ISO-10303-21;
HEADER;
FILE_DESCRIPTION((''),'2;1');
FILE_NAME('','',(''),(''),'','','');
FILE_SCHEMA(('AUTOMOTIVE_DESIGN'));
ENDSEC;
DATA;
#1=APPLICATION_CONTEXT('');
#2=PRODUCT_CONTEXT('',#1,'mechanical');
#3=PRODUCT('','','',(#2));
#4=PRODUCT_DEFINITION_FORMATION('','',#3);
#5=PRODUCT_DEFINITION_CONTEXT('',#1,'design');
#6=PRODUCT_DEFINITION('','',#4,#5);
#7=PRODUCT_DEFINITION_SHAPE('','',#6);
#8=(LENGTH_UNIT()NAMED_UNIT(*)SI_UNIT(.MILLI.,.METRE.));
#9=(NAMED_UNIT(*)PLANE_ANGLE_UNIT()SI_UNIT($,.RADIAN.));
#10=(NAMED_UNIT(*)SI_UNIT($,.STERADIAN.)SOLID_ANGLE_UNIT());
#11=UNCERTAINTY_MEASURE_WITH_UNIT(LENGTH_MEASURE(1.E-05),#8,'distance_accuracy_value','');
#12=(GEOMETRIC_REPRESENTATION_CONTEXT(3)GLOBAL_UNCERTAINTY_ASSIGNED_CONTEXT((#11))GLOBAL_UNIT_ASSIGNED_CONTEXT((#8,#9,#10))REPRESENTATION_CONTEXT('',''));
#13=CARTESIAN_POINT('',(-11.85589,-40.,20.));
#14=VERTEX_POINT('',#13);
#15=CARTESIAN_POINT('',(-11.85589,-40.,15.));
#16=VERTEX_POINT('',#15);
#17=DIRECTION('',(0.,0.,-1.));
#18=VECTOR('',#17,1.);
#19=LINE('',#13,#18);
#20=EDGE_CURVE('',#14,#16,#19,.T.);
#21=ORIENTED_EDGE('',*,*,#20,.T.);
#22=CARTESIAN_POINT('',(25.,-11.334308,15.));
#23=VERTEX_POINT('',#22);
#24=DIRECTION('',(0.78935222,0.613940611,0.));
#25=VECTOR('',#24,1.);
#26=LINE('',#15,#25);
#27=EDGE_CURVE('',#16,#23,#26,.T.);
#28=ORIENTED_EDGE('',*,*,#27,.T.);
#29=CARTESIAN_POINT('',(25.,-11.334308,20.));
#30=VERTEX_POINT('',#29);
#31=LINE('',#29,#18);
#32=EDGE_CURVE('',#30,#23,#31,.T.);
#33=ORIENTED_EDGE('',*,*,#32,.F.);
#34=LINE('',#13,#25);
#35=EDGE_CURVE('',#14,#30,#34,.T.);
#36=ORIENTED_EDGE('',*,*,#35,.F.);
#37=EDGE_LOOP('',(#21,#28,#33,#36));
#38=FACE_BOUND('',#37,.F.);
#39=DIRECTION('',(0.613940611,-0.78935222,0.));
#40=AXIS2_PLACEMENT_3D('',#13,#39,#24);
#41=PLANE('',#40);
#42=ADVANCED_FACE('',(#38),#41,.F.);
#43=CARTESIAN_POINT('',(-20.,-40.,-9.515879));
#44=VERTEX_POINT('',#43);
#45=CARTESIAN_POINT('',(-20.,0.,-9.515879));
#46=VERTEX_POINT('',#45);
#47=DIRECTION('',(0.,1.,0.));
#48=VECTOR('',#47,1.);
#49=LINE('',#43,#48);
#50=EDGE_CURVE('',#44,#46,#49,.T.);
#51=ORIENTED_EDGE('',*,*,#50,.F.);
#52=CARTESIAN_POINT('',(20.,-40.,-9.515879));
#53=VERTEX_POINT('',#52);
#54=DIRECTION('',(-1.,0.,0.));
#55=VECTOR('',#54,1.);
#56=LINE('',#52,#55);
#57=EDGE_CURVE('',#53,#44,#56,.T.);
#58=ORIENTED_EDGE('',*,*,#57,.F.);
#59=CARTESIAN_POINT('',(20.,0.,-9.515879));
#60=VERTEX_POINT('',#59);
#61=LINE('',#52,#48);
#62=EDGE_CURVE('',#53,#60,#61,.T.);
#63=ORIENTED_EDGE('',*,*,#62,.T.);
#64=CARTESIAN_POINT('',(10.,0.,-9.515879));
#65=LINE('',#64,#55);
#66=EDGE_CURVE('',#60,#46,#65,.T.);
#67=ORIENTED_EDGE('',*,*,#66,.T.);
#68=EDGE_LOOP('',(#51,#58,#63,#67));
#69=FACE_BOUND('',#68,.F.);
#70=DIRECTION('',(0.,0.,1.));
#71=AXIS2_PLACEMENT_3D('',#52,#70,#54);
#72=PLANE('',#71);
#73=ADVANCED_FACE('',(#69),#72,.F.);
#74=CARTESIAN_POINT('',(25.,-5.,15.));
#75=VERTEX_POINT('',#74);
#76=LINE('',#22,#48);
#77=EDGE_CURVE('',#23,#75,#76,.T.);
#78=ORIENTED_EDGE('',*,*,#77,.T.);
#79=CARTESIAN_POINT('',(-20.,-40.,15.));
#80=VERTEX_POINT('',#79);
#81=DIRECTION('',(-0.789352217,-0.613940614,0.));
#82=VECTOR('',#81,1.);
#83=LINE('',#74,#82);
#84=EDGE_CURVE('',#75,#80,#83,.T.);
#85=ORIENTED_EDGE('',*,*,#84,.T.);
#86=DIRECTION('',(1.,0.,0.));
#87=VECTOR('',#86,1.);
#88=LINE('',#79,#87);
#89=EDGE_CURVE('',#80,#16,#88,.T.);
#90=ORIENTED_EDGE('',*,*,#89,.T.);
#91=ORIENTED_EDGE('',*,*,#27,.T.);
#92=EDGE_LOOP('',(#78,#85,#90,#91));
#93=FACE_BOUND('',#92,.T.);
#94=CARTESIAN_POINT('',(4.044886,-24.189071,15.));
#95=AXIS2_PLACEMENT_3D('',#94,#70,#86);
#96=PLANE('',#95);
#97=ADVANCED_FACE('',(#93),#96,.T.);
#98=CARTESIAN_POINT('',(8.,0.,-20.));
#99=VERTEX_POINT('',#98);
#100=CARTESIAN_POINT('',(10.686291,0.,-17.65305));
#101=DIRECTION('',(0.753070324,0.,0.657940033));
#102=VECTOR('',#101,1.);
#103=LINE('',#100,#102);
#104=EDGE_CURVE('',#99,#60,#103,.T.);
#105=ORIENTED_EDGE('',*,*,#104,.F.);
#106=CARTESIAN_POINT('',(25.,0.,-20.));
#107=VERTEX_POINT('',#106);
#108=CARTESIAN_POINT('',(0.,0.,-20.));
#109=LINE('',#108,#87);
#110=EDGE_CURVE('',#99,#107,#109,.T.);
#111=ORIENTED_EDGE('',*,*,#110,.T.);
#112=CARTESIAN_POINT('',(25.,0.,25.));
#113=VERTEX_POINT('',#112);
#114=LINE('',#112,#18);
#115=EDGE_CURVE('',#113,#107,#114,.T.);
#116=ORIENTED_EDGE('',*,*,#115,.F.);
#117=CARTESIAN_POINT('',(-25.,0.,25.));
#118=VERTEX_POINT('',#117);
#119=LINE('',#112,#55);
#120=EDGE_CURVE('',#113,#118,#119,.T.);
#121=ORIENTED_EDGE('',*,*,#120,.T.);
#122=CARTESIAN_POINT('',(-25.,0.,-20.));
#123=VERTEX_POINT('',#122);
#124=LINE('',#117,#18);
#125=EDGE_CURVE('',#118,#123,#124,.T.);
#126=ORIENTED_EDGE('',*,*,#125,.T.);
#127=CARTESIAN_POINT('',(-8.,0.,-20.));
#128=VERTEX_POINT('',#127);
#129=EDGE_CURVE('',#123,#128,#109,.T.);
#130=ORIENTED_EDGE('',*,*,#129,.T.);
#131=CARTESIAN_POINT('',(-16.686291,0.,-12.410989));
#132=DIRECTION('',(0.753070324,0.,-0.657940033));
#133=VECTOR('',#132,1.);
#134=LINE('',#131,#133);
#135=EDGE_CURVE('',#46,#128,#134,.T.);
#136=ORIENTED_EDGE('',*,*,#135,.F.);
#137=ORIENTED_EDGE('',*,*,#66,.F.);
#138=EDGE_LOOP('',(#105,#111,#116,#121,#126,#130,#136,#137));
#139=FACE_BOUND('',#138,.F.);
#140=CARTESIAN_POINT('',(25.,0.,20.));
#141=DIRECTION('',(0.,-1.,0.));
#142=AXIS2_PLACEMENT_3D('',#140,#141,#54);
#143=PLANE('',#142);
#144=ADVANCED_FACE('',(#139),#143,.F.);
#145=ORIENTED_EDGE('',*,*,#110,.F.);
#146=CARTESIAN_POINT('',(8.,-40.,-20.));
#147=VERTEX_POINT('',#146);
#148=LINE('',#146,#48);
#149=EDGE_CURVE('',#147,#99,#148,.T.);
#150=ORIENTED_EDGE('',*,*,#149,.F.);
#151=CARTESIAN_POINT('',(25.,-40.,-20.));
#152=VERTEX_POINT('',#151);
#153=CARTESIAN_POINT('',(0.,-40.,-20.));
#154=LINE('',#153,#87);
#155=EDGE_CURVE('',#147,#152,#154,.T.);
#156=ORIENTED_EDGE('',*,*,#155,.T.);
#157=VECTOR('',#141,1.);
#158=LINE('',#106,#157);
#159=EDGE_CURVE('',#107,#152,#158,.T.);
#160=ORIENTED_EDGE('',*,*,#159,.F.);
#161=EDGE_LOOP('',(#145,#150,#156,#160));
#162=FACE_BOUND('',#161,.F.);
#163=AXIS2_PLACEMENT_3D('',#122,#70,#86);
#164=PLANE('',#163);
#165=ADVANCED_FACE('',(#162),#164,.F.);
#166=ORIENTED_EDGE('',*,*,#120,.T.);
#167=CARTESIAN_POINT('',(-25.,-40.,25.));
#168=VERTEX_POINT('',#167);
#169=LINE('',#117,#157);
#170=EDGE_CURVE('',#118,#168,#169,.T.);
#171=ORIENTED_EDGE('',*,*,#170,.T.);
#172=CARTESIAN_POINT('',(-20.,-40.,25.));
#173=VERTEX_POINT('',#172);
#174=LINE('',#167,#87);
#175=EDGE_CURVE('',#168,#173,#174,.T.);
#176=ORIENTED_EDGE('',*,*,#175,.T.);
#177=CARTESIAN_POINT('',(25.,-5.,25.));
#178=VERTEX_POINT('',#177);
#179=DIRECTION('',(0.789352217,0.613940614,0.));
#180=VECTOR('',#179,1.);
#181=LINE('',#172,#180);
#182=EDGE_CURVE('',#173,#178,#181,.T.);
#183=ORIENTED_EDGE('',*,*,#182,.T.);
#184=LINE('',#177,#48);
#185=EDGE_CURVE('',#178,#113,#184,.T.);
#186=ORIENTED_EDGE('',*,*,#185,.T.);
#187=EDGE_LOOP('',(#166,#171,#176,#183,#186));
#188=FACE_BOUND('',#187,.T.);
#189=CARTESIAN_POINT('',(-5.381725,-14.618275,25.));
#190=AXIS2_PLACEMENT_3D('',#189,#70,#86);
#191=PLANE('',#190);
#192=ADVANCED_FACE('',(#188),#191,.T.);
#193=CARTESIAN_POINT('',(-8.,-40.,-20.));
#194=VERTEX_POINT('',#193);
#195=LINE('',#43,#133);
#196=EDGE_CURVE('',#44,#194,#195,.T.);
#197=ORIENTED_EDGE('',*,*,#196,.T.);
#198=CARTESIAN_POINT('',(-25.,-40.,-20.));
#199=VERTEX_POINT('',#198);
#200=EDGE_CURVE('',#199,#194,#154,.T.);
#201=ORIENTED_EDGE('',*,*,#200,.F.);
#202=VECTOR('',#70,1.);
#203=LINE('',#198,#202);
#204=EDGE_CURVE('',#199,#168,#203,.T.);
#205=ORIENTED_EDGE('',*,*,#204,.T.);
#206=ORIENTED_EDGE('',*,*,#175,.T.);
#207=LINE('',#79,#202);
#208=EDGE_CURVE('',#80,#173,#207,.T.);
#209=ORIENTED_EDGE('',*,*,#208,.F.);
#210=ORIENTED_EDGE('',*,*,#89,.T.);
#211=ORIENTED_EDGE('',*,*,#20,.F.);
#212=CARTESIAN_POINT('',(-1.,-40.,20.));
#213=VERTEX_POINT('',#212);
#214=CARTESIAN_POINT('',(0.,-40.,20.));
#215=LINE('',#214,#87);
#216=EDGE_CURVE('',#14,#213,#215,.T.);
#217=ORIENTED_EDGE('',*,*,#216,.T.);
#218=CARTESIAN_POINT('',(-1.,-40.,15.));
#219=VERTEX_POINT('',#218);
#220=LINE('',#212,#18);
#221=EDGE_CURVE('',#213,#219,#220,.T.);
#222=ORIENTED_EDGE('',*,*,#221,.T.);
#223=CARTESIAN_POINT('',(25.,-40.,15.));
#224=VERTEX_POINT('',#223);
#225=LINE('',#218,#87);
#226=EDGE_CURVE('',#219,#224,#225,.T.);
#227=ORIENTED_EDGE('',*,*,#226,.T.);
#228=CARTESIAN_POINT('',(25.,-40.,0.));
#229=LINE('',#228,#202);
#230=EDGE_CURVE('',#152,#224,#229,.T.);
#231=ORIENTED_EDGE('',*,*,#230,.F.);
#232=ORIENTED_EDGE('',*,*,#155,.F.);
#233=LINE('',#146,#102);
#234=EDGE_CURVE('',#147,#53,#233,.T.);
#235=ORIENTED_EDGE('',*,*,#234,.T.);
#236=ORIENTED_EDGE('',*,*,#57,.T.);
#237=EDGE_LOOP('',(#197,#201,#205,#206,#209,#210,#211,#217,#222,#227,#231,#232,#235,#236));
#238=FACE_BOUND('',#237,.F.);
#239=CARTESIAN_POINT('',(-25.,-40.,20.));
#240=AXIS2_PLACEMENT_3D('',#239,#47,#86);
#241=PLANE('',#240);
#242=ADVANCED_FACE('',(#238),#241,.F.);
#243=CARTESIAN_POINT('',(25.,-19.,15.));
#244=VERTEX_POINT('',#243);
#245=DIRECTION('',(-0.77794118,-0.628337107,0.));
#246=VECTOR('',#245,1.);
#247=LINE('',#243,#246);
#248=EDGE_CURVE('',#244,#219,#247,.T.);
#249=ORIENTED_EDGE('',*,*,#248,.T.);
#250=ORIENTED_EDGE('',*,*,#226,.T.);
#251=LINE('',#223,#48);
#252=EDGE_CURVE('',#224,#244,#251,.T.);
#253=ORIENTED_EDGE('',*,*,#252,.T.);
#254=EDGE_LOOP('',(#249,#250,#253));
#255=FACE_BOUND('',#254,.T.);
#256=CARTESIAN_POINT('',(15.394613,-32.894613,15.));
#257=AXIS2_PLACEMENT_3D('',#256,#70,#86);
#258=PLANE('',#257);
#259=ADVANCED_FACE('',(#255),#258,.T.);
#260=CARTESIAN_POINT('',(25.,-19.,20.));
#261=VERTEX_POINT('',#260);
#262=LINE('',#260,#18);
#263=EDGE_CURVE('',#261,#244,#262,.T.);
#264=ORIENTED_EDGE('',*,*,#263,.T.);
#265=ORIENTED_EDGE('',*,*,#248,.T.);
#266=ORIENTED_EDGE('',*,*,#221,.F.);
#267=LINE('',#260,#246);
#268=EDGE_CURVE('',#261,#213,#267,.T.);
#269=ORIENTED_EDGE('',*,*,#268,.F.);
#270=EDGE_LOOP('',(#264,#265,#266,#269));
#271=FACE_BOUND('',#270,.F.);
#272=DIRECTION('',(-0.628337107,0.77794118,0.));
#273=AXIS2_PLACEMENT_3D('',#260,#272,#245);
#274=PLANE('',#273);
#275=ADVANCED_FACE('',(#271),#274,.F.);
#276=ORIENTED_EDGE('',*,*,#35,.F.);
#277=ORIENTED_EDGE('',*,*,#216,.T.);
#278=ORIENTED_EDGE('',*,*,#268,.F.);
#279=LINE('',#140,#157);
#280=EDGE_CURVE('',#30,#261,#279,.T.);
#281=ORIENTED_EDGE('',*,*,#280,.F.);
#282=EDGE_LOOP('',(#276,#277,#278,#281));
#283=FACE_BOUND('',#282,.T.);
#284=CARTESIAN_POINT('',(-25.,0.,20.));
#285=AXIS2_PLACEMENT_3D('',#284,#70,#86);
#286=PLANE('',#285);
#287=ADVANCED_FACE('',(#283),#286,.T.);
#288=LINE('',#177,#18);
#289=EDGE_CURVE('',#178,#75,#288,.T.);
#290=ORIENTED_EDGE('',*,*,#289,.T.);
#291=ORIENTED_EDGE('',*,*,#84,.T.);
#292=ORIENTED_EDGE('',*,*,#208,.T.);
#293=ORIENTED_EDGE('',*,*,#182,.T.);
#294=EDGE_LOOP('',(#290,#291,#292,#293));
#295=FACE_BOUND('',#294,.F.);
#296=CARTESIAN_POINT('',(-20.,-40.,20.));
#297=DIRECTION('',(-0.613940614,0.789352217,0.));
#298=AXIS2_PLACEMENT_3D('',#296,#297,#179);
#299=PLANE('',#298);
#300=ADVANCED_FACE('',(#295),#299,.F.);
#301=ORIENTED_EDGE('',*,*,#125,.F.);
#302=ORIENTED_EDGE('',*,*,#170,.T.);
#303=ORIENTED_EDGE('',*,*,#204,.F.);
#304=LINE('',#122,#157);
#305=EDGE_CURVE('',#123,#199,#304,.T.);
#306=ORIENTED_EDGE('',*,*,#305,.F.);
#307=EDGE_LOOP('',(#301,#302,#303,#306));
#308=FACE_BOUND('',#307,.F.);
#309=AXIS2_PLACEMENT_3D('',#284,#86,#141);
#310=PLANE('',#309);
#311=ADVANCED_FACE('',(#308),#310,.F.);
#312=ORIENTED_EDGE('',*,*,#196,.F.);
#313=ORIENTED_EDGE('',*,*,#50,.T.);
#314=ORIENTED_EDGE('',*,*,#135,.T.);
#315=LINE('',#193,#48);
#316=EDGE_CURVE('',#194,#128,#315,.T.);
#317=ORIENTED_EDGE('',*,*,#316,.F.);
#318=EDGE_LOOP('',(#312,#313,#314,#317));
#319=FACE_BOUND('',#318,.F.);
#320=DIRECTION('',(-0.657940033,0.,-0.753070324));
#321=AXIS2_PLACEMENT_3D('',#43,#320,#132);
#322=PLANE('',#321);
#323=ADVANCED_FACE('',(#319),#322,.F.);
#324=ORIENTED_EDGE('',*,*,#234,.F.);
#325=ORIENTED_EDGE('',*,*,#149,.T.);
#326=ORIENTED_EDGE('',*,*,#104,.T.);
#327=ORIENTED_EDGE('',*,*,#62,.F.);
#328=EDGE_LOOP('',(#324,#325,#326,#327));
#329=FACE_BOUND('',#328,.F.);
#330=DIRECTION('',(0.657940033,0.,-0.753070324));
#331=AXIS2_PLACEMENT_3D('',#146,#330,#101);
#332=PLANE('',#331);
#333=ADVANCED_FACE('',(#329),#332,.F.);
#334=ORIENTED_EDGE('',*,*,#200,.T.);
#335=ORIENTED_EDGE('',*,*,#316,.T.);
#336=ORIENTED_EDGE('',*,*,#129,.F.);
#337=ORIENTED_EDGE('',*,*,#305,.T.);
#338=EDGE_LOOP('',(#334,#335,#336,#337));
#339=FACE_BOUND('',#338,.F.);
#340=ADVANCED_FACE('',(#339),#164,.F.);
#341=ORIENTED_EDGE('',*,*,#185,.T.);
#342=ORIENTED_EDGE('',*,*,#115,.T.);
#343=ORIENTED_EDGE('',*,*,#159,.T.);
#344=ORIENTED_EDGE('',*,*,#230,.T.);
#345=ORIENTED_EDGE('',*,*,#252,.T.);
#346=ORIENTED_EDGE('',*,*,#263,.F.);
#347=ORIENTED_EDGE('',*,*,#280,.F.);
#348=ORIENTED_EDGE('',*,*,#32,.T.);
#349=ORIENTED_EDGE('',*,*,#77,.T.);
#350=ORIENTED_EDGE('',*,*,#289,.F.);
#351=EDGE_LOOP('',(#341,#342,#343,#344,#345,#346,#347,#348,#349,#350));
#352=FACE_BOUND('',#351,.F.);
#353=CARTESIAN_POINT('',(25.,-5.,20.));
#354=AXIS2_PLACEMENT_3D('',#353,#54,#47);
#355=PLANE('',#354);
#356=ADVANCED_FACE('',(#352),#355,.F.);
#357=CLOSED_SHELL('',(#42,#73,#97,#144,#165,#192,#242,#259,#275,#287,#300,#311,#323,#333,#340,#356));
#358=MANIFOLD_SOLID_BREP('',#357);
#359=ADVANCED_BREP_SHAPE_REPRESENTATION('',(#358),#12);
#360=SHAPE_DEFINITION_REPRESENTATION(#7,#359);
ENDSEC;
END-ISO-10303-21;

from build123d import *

# Parameters (mm, degrees)
F0_W     = 50
F0_H     = 40
F1_DEPTH = 40
F3_DEPTH = 40.001
F5_DEPTH = 5
F6_DEPTH = 5
F7_DEPTH = 5


with BuildPart() as f1:
    # F0 (on Front) → F1 (new body)
    with BuildSketch(Plane.XZ):
        Rectangle(F0_W, F0_H)
    extrude(amount=F1_DEPTH)

    # F2 (on face) → F3 (cut, through all)
    with BuildSketch(Plane.XZ.offset(40)):
        Polygon((-20, -9.515879), (-8, -20), (8, -20), (20, -9.515879), (0, -9.515879), align=None)
    extrude(amount=-F3_DEPTH, mode=Mode.SUBTRACT)

    # F4 (on face) → F5 (join)
    with BuildSketch(Plane.XY.offset(20)):
        Polygon((-25, 0), (-25, -40), (-20, -40), (25, -5), (25, 0), align=None)
    extrude(amount=F5_DEPTH)

    # F4 (on face) → F6 (cut)
    with BuildSketch(Plane.XY.offset(20)):
        Polygon((25, -5), (-20, -40), (-11.85589, -40), (25, -11.334308), align=None)
    extrude(amount=-F6_DEPTH, mode=Mode.SUBTRACT)

    # F4 (on face) → F7 (cut)
    with BuildSketch(Plane.XY.offset(20)):
        Polygon((25, -19), (-1, -40), (25, -40), align=None)
    extrude(amount=-F7_DEPTH, mode=Mode.SUBTRACT)


solid = f1.part
